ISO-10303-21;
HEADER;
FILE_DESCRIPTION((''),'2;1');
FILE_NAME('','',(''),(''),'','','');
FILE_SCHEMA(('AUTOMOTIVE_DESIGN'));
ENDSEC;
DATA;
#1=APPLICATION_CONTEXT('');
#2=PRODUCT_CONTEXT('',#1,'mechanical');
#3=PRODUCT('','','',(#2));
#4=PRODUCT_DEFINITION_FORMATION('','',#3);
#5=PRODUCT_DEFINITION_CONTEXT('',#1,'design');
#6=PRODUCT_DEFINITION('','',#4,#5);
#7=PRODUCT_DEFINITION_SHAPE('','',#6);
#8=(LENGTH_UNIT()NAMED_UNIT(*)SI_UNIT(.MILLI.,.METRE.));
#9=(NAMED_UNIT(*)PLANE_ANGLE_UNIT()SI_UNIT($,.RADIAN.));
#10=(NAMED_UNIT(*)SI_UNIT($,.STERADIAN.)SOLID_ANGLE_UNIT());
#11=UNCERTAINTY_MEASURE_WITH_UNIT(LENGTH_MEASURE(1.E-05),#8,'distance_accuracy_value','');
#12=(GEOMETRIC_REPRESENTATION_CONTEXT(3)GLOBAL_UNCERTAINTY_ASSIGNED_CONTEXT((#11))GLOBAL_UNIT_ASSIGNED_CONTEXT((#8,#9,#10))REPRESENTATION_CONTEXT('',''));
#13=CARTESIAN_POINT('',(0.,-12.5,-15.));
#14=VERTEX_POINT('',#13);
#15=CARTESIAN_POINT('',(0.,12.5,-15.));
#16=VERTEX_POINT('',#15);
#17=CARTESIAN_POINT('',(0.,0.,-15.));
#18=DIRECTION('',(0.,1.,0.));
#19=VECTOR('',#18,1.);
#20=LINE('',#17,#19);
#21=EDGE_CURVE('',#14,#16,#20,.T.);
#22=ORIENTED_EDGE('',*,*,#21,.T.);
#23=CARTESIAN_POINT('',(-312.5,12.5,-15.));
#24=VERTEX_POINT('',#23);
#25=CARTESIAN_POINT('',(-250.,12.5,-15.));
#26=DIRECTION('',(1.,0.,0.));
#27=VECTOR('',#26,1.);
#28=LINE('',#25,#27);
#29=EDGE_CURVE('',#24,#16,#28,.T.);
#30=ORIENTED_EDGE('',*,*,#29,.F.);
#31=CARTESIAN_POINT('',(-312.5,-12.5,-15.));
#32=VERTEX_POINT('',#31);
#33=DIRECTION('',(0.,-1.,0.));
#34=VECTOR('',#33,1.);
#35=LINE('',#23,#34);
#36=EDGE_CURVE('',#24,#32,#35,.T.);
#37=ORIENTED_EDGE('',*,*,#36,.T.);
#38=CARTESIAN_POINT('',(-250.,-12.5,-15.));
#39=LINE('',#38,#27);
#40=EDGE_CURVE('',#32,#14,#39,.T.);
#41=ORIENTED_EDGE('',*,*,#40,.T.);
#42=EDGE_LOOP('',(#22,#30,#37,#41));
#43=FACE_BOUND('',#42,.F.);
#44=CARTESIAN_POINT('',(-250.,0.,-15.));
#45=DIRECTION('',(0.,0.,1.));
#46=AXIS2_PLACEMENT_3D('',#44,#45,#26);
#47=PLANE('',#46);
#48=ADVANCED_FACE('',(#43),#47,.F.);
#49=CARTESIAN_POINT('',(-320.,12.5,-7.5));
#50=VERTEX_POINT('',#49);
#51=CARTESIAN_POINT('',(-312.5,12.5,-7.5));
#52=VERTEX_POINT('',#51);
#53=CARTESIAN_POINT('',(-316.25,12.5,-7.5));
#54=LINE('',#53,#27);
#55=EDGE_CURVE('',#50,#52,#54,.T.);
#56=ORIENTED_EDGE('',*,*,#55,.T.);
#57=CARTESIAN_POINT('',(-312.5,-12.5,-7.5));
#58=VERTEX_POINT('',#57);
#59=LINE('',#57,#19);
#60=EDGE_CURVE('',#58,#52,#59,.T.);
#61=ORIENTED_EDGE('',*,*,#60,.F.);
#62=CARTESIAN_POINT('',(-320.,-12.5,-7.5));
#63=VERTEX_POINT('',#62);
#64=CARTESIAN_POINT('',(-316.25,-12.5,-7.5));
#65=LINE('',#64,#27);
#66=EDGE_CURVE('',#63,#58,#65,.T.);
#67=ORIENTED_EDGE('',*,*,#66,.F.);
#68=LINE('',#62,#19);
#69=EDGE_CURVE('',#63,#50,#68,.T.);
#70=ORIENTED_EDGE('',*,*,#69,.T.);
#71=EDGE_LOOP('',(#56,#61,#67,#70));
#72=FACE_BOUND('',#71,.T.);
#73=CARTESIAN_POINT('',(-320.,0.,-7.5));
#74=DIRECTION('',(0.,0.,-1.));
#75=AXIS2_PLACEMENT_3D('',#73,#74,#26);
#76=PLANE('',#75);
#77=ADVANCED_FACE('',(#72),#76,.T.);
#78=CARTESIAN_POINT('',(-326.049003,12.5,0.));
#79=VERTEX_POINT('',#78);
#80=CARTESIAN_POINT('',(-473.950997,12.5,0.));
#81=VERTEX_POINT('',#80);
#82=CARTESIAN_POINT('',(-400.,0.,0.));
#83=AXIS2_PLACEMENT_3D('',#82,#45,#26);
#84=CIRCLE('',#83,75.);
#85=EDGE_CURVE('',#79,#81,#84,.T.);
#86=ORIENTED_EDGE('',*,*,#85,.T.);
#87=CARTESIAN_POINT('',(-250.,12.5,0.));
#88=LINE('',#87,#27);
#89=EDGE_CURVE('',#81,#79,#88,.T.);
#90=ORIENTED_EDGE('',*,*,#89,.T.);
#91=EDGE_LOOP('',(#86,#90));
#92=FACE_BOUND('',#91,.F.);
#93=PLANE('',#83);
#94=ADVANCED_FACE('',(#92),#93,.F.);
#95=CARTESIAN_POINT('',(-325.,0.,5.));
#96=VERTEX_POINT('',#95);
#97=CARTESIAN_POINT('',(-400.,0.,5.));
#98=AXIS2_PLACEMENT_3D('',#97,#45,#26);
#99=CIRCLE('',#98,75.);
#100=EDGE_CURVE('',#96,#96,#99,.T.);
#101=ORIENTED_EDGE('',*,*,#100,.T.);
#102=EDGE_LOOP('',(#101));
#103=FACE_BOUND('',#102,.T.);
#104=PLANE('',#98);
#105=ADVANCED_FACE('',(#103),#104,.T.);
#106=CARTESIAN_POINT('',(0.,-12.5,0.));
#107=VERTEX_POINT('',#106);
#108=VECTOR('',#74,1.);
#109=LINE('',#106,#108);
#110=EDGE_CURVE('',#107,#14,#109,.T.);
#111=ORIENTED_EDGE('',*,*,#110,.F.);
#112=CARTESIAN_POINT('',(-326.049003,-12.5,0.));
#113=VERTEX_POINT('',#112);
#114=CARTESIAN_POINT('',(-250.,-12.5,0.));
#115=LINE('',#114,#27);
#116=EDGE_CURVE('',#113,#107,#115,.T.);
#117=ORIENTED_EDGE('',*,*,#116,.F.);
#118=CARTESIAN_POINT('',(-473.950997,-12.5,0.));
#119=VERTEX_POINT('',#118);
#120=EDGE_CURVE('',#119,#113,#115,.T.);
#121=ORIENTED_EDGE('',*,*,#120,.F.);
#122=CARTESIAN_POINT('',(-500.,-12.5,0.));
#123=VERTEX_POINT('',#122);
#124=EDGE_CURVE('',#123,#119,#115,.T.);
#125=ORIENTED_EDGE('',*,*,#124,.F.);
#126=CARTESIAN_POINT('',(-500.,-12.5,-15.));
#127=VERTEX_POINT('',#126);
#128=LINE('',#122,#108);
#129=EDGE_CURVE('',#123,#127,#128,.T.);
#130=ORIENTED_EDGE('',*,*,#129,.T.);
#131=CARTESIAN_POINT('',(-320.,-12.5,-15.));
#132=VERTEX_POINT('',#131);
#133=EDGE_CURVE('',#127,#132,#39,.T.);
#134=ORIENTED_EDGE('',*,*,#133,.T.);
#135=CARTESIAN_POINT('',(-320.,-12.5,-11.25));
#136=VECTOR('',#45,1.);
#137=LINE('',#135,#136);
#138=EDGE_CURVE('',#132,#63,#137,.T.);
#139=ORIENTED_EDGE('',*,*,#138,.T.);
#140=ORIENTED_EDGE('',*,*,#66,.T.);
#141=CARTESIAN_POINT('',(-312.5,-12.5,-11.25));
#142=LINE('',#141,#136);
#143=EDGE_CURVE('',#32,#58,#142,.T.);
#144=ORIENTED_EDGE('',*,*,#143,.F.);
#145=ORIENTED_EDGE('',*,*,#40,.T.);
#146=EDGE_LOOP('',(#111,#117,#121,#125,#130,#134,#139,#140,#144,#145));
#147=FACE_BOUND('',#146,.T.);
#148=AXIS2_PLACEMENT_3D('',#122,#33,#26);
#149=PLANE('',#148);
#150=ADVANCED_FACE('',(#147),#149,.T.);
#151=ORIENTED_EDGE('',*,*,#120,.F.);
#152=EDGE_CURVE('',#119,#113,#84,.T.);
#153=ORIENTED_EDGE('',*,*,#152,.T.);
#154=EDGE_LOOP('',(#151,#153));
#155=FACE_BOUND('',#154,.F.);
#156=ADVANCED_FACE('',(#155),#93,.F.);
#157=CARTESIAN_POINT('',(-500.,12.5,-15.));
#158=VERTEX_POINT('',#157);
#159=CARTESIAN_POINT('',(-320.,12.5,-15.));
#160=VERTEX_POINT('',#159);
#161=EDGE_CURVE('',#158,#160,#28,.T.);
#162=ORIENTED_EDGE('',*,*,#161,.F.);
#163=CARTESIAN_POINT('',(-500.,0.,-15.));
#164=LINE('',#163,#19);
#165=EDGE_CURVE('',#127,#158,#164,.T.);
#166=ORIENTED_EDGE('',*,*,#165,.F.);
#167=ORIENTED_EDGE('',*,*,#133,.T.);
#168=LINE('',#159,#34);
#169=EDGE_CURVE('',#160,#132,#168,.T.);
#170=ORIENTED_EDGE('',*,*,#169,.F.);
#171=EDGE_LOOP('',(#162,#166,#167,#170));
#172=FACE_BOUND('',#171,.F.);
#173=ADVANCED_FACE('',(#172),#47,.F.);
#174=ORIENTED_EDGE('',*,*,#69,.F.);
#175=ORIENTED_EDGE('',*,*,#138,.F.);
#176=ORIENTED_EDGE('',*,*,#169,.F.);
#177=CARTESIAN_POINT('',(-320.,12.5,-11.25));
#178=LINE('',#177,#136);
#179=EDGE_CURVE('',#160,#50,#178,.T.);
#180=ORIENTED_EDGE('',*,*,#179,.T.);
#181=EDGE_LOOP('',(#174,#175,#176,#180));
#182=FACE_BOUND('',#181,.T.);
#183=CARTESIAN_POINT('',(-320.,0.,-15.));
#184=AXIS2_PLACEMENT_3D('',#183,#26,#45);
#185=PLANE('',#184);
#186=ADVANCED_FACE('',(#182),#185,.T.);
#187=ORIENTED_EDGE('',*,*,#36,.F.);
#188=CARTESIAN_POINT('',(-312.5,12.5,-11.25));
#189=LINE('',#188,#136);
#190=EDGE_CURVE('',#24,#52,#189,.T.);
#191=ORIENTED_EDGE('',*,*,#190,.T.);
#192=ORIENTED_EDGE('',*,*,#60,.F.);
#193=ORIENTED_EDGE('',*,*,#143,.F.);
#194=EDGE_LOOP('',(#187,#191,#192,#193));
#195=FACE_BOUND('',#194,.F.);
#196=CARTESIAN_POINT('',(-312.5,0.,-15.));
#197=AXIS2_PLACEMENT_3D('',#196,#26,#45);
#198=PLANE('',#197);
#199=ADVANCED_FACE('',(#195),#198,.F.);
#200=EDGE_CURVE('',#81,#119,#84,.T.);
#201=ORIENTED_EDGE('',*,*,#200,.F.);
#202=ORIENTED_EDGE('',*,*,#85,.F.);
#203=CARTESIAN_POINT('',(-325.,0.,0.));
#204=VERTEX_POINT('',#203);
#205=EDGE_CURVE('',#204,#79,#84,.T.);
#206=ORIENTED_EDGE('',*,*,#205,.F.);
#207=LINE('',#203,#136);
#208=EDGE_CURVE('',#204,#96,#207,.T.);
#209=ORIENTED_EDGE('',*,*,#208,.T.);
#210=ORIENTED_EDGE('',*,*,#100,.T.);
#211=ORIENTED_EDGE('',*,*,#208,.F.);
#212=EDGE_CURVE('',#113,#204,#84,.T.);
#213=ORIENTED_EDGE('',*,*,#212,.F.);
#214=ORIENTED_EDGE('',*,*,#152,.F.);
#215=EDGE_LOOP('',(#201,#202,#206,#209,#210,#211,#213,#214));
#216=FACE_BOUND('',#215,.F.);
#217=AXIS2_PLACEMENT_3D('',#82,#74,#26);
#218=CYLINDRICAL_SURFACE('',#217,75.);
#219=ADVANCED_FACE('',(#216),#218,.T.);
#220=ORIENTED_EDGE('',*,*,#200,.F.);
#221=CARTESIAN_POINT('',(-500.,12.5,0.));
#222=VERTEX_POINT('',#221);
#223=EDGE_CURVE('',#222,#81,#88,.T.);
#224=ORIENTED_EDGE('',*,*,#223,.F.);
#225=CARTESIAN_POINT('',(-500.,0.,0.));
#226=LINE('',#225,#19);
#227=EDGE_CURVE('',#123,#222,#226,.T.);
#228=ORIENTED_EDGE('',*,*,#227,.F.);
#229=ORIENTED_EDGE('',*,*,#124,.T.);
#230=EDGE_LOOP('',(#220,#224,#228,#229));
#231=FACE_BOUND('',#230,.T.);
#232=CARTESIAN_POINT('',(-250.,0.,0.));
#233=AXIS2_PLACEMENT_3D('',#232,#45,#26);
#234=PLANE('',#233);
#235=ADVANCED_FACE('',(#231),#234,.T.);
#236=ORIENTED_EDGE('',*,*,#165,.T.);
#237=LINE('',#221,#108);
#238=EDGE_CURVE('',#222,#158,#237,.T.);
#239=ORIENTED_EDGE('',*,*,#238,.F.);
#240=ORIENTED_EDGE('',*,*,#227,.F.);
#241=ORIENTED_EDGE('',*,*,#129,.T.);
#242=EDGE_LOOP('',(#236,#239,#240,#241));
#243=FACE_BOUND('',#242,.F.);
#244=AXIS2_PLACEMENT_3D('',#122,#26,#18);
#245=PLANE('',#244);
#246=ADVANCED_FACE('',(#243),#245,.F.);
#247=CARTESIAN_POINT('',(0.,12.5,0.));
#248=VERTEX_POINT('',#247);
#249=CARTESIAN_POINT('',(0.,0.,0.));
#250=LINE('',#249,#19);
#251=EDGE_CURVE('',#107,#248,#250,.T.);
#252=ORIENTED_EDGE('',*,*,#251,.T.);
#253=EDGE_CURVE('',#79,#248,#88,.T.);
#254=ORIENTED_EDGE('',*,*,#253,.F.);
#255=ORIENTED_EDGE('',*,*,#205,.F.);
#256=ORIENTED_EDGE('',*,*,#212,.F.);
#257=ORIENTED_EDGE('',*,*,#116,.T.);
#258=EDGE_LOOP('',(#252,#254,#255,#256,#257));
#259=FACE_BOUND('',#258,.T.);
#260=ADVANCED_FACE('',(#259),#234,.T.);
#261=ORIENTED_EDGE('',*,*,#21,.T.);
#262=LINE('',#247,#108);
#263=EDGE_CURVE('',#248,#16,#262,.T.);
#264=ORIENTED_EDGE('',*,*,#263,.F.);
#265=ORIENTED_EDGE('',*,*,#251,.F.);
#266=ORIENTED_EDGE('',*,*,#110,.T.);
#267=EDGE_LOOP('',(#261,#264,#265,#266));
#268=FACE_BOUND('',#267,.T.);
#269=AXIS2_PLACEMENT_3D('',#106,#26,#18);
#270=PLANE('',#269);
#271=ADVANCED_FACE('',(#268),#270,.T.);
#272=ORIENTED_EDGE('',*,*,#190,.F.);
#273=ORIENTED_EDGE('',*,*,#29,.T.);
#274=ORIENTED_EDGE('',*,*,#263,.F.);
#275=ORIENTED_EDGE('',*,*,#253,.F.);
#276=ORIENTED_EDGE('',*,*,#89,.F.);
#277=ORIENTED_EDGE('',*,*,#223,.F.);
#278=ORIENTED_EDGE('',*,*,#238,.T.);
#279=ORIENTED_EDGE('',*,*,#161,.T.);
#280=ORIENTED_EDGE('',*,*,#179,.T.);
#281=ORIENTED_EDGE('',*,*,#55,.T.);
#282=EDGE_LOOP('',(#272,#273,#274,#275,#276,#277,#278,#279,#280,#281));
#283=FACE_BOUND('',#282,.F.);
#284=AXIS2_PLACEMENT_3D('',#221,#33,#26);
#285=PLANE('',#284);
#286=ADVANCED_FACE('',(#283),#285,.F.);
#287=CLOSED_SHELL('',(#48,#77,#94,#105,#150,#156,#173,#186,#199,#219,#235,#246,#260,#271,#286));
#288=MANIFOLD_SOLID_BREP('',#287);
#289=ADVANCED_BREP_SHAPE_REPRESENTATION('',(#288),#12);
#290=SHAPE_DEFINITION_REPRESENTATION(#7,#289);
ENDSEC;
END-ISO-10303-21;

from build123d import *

# Parameters (mm, degrees)
F0_W     = 500
F0_H     = 25
F1_DEPTH = 15
F2_R     = 75
F3_DEPTH = 5
F4_W     = 7.5
F4_H     = 7.5
F5_DEPTH = 12.5


with BuildPart() as f1:
    # F0 (on Top) → F1 (new body)
    with BuildSketch(Plane.XY):
        with Locations((-250, 0)):
            Rectangle(F0_W, F0_H)
    extrude(amount=-F1_DEPTH)

    # F2 (on Top) → F3 (join)
    with BuildSketch(Plane.XY):
        with Locations((-400, 0)):
            Circle(F2_R)
    extrude(amount=F3_DEPTH)

    # F4 (on Front) → F5 (cut, symmetric)
    with BuildSketch(Plane.XZ):
        with Locations((-316.25, -11.25)):
            Rectangle(F4_W, F4_H)
    extrude(amount=F5_DEPTH, both=True, mode=Mode.SUBTRACT)


solid = f1.part
